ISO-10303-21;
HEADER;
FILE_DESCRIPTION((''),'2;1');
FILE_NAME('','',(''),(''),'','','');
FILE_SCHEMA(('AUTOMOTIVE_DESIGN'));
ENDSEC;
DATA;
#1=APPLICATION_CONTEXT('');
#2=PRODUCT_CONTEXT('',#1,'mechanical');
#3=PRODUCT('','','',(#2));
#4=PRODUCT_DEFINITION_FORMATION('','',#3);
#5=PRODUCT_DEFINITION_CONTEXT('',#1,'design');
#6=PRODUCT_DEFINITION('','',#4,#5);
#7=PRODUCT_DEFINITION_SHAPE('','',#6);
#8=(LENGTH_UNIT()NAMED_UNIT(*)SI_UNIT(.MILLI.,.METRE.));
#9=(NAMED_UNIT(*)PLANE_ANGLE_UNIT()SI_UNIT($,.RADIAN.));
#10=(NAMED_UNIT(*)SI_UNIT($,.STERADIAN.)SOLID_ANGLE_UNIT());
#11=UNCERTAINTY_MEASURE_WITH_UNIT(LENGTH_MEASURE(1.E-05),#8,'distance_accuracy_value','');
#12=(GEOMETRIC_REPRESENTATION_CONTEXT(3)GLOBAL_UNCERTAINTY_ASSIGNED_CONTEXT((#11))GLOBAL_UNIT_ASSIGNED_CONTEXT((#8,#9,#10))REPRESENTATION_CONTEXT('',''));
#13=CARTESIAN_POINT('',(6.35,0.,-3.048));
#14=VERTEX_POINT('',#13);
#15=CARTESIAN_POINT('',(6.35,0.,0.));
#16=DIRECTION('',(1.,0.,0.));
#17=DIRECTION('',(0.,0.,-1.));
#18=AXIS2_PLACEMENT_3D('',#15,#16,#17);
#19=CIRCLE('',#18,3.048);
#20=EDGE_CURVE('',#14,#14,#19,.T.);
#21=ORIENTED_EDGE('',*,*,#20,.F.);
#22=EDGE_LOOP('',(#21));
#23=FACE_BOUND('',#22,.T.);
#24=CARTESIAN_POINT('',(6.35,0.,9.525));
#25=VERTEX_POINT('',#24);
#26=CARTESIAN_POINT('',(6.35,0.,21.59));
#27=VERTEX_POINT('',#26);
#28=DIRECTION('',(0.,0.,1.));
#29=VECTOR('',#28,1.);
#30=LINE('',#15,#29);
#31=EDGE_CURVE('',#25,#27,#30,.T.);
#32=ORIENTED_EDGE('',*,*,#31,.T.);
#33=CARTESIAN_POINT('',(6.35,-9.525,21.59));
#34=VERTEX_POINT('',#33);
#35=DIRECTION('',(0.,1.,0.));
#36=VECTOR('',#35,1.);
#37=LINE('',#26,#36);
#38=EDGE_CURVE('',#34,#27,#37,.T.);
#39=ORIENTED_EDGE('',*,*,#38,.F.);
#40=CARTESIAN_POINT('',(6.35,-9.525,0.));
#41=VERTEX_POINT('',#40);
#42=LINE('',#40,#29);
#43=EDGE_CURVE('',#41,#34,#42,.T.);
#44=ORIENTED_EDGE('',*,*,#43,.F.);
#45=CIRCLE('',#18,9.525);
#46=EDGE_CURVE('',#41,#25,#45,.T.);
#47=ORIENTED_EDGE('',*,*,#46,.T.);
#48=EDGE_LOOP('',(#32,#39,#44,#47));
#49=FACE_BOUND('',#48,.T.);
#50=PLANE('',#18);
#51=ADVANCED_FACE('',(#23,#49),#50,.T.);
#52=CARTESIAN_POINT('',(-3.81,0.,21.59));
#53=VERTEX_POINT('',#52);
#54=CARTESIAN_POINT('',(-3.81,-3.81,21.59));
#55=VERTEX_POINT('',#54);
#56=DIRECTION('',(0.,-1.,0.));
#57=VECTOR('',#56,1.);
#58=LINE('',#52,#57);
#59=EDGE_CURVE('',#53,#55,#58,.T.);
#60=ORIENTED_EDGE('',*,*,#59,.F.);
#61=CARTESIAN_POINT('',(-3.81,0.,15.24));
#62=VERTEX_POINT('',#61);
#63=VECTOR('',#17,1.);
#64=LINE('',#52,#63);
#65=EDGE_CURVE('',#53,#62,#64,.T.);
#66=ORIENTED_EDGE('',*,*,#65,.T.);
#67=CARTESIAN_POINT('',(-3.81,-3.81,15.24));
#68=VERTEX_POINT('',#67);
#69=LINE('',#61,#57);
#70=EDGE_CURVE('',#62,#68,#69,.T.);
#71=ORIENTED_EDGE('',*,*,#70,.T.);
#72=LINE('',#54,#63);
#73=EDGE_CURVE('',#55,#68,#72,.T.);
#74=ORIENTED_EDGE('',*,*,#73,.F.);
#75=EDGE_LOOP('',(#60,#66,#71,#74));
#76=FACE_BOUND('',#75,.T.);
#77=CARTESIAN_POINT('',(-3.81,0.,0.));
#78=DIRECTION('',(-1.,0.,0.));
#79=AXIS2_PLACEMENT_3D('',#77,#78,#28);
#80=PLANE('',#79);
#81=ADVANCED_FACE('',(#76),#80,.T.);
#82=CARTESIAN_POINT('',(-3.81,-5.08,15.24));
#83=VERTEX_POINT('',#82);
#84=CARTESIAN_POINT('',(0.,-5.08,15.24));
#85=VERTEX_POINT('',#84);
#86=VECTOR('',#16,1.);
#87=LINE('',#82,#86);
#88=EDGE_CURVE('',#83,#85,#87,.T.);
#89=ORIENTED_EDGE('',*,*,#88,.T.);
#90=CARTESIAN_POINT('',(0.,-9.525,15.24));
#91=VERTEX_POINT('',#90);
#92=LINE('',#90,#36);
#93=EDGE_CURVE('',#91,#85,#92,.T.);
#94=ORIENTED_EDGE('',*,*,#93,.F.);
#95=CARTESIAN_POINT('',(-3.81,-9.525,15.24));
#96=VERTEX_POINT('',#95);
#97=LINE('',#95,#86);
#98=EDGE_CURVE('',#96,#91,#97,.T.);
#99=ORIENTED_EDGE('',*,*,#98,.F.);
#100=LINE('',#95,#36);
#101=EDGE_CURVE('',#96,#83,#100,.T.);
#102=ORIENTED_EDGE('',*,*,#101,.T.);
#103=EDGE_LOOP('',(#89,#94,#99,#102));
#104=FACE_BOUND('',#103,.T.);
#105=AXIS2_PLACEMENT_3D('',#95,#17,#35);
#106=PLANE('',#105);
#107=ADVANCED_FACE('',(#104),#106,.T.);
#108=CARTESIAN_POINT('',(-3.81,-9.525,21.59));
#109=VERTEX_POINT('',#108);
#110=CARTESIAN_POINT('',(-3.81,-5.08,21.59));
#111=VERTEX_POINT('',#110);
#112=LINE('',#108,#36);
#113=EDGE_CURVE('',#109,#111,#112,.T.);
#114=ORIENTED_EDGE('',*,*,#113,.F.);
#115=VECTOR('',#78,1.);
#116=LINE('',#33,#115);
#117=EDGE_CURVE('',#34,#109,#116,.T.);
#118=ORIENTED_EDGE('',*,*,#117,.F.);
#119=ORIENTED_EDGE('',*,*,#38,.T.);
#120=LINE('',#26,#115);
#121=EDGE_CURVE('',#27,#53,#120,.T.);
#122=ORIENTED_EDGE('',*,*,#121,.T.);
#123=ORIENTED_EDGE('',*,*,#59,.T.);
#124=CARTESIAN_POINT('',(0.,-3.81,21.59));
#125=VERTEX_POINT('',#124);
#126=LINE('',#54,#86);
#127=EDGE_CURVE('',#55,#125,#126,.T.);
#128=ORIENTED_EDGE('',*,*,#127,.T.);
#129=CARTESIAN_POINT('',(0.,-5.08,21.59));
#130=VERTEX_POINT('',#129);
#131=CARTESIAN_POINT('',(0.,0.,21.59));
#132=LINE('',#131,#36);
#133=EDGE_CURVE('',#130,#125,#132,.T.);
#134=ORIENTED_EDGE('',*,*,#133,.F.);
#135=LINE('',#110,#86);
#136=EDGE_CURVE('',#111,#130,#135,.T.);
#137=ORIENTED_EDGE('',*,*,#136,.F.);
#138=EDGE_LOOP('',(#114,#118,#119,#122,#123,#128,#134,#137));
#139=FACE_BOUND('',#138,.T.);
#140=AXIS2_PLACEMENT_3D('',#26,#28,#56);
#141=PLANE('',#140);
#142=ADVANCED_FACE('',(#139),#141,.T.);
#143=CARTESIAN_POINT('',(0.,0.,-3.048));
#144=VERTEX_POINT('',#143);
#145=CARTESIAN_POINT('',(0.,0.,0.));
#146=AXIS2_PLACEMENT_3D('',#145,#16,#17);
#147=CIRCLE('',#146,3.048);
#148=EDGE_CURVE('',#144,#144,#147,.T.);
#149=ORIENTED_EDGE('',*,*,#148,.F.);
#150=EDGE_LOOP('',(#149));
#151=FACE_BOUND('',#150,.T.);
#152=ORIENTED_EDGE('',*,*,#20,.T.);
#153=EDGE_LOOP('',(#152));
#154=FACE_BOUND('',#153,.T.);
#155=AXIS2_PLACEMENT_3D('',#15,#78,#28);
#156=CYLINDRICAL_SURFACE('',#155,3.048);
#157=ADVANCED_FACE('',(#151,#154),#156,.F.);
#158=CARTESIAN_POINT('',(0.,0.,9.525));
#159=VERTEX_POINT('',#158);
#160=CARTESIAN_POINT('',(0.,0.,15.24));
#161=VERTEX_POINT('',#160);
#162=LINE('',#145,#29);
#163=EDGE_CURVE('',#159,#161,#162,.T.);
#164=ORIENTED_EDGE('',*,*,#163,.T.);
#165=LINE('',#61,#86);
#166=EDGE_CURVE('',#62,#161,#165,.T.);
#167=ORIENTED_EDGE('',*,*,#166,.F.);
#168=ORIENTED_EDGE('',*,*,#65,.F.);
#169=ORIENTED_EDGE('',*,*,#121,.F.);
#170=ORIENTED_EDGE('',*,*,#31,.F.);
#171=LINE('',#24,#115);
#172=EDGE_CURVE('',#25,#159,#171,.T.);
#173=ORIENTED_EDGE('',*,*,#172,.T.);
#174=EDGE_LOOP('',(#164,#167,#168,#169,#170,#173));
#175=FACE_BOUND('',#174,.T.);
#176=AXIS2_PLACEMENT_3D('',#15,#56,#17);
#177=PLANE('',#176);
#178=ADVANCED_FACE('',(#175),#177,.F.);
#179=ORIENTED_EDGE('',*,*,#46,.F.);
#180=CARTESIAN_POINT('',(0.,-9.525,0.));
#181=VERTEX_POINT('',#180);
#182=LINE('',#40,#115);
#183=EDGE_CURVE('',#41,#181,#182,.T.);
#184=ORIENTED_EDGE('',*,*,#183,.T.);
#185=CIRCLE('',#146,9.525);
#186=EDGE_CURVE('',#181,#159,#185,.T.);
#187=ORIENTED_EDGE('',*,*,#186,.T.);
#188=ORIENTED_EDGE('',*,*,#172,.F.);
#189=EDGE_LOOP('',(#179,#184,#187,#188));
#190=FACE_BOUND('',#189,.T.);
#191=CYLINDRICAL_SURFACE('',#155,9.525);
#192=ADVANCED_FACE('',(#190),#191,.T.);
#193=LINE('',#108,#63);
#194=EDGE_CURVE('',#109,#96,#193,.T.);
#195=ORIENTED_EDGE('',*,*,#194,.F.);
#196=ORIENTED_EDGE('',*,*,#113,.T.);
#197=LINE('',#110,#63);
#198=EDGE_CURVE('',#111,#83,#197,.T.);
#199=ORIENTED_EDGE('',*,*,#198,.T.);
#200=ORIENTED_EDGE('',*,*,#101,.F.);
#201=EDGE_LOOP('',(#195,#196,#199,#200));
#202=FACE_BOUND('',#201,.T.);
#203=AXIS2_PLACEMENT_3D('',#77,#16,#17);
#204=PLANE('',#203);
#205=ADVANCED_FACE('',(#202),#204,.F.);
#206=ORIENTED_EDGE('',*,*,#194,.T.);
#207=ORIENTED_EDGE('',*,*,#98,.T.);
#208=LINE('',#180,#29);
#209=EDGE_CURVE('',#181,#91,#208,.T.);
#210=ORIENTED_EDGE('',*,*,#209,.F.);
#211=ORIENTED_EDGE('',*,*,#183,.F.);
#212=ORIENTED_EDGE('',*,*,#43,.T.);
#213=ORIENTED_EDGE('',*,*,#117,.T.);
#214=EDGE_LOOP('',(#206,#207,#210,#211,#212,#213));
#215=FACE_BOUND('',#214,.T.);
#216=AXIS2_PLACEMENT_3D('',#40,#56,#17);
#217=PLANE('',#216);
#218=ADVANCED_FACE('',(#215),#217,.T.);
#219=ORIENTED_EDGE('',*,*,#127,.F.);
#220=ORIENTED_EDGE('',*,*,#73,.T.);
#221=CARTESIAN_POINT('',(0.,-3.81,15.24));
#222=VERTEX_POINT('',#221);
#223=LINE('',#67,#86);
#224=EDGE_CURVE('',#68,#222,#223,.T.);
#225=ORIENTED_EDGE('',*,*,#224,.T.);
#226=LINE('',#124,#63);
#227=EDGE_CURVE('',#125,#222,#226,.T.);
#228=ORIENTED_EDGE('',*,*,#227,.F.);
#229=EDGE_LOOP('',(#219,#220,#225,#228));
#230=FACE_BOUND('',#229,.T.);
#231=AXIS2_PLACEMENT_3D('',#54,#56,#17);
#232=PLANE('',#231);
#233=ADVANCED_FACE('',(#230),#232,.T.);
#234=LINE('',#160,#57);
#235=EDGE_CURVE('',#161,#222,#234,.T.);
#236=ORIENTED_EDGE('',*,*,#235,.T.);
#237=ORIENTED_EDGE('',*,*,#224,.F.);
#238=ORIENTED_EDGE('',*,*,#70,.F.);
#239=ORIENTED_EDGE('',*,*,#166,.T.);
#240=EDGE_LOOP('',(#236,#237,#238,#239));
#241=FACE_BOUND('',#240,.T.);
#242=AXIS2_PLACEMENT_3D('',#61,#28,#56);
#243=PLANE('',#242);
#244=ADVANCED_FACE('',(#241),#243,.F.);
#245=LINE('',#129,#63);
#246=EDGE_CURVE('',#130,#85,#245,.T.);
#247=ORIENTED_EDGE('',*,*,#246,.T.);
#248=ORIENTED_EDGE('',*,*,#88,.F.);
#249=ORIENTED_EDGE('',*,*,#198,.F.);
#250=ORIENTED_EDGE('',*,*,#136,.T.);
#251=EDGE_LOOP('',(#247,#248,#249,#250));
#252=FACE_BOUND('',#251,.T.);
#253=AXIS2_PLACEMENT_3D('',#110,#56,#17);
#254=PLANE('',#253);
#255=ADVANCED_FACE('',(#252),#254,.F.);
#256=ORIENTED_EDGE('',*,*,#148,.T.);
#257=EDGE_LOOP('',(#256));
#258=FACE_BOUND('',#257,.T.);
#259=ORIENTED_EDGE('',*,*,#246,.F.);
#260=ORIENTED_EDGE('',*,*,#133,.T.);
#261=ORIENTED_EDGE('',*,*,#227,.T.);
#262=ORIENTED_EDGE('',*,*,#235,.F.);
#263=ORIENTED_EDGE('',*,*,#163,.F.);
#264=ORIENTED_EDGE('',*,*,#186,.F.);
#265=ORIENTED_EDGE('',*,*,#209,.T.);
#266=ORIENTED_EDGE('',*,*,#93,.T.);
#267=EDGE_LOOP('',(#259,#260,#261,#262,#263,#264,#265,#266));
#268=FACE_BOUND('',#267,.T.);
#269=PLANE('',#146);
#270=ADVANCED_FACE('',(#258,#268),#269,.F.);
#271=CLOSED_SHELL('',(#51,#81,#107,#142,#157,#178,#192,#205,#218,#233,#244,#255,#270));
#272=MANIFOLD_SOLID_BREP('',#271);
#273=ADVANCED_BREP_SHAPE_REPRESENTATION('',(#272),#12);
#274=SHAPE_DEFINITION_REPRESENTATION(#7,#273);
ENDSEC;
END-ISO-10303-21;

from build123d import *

# Parameters (mm, degrees)
SKETCH1_R           = 3.048
BOSS_EXTRUDE1_DEPTH = 6.35
SKETCH2_W           = 6.35
SKETCH2_H           = 3.81
SKETCH2_H_2         = 4.445
BOSS_EXTRUDE2_DEPTH = 3.81


with BuildPart() as part:
    # Sketch1 → Boss-Extrude1 (new body)
    with BuildSketch(Plane(origin=(0, 0, 0), x_dir=(0, 0, -1), z_dir=(1, 0, 0))):
        with BuildLine():
            ThreePointArc((0, -9.525), (6.735192091, 6.735192091), (-9.525, 0))
            Line((-9.525, 0), (-21.59, 0))
            Line((-21.59, 0), (-21.59, -9.525))
            Line((-21.59, -9.525), (0, -9.525))
        make_face()
        Circle(SKETCH1_R, mode=Mode.SUBTRACT)
    extrude(amount=BOSS_EXTRUDE1_DEPTH)

    # Sketch2 → Boss-Extrude2 (add)
    with BuildSketch(Plane.ZY):
        with Locations((18.415, -1.905)):
            Rectangle(SKETCH2_W, SKETCH2_H)
        with Locations((18.415, -7.3025)):
            Rectangle(SKETCH2_W, SKETCH2_H_2)
    extrude(amount=BOSS_EXTRUDE2_DEPTH)


solid = part.part
